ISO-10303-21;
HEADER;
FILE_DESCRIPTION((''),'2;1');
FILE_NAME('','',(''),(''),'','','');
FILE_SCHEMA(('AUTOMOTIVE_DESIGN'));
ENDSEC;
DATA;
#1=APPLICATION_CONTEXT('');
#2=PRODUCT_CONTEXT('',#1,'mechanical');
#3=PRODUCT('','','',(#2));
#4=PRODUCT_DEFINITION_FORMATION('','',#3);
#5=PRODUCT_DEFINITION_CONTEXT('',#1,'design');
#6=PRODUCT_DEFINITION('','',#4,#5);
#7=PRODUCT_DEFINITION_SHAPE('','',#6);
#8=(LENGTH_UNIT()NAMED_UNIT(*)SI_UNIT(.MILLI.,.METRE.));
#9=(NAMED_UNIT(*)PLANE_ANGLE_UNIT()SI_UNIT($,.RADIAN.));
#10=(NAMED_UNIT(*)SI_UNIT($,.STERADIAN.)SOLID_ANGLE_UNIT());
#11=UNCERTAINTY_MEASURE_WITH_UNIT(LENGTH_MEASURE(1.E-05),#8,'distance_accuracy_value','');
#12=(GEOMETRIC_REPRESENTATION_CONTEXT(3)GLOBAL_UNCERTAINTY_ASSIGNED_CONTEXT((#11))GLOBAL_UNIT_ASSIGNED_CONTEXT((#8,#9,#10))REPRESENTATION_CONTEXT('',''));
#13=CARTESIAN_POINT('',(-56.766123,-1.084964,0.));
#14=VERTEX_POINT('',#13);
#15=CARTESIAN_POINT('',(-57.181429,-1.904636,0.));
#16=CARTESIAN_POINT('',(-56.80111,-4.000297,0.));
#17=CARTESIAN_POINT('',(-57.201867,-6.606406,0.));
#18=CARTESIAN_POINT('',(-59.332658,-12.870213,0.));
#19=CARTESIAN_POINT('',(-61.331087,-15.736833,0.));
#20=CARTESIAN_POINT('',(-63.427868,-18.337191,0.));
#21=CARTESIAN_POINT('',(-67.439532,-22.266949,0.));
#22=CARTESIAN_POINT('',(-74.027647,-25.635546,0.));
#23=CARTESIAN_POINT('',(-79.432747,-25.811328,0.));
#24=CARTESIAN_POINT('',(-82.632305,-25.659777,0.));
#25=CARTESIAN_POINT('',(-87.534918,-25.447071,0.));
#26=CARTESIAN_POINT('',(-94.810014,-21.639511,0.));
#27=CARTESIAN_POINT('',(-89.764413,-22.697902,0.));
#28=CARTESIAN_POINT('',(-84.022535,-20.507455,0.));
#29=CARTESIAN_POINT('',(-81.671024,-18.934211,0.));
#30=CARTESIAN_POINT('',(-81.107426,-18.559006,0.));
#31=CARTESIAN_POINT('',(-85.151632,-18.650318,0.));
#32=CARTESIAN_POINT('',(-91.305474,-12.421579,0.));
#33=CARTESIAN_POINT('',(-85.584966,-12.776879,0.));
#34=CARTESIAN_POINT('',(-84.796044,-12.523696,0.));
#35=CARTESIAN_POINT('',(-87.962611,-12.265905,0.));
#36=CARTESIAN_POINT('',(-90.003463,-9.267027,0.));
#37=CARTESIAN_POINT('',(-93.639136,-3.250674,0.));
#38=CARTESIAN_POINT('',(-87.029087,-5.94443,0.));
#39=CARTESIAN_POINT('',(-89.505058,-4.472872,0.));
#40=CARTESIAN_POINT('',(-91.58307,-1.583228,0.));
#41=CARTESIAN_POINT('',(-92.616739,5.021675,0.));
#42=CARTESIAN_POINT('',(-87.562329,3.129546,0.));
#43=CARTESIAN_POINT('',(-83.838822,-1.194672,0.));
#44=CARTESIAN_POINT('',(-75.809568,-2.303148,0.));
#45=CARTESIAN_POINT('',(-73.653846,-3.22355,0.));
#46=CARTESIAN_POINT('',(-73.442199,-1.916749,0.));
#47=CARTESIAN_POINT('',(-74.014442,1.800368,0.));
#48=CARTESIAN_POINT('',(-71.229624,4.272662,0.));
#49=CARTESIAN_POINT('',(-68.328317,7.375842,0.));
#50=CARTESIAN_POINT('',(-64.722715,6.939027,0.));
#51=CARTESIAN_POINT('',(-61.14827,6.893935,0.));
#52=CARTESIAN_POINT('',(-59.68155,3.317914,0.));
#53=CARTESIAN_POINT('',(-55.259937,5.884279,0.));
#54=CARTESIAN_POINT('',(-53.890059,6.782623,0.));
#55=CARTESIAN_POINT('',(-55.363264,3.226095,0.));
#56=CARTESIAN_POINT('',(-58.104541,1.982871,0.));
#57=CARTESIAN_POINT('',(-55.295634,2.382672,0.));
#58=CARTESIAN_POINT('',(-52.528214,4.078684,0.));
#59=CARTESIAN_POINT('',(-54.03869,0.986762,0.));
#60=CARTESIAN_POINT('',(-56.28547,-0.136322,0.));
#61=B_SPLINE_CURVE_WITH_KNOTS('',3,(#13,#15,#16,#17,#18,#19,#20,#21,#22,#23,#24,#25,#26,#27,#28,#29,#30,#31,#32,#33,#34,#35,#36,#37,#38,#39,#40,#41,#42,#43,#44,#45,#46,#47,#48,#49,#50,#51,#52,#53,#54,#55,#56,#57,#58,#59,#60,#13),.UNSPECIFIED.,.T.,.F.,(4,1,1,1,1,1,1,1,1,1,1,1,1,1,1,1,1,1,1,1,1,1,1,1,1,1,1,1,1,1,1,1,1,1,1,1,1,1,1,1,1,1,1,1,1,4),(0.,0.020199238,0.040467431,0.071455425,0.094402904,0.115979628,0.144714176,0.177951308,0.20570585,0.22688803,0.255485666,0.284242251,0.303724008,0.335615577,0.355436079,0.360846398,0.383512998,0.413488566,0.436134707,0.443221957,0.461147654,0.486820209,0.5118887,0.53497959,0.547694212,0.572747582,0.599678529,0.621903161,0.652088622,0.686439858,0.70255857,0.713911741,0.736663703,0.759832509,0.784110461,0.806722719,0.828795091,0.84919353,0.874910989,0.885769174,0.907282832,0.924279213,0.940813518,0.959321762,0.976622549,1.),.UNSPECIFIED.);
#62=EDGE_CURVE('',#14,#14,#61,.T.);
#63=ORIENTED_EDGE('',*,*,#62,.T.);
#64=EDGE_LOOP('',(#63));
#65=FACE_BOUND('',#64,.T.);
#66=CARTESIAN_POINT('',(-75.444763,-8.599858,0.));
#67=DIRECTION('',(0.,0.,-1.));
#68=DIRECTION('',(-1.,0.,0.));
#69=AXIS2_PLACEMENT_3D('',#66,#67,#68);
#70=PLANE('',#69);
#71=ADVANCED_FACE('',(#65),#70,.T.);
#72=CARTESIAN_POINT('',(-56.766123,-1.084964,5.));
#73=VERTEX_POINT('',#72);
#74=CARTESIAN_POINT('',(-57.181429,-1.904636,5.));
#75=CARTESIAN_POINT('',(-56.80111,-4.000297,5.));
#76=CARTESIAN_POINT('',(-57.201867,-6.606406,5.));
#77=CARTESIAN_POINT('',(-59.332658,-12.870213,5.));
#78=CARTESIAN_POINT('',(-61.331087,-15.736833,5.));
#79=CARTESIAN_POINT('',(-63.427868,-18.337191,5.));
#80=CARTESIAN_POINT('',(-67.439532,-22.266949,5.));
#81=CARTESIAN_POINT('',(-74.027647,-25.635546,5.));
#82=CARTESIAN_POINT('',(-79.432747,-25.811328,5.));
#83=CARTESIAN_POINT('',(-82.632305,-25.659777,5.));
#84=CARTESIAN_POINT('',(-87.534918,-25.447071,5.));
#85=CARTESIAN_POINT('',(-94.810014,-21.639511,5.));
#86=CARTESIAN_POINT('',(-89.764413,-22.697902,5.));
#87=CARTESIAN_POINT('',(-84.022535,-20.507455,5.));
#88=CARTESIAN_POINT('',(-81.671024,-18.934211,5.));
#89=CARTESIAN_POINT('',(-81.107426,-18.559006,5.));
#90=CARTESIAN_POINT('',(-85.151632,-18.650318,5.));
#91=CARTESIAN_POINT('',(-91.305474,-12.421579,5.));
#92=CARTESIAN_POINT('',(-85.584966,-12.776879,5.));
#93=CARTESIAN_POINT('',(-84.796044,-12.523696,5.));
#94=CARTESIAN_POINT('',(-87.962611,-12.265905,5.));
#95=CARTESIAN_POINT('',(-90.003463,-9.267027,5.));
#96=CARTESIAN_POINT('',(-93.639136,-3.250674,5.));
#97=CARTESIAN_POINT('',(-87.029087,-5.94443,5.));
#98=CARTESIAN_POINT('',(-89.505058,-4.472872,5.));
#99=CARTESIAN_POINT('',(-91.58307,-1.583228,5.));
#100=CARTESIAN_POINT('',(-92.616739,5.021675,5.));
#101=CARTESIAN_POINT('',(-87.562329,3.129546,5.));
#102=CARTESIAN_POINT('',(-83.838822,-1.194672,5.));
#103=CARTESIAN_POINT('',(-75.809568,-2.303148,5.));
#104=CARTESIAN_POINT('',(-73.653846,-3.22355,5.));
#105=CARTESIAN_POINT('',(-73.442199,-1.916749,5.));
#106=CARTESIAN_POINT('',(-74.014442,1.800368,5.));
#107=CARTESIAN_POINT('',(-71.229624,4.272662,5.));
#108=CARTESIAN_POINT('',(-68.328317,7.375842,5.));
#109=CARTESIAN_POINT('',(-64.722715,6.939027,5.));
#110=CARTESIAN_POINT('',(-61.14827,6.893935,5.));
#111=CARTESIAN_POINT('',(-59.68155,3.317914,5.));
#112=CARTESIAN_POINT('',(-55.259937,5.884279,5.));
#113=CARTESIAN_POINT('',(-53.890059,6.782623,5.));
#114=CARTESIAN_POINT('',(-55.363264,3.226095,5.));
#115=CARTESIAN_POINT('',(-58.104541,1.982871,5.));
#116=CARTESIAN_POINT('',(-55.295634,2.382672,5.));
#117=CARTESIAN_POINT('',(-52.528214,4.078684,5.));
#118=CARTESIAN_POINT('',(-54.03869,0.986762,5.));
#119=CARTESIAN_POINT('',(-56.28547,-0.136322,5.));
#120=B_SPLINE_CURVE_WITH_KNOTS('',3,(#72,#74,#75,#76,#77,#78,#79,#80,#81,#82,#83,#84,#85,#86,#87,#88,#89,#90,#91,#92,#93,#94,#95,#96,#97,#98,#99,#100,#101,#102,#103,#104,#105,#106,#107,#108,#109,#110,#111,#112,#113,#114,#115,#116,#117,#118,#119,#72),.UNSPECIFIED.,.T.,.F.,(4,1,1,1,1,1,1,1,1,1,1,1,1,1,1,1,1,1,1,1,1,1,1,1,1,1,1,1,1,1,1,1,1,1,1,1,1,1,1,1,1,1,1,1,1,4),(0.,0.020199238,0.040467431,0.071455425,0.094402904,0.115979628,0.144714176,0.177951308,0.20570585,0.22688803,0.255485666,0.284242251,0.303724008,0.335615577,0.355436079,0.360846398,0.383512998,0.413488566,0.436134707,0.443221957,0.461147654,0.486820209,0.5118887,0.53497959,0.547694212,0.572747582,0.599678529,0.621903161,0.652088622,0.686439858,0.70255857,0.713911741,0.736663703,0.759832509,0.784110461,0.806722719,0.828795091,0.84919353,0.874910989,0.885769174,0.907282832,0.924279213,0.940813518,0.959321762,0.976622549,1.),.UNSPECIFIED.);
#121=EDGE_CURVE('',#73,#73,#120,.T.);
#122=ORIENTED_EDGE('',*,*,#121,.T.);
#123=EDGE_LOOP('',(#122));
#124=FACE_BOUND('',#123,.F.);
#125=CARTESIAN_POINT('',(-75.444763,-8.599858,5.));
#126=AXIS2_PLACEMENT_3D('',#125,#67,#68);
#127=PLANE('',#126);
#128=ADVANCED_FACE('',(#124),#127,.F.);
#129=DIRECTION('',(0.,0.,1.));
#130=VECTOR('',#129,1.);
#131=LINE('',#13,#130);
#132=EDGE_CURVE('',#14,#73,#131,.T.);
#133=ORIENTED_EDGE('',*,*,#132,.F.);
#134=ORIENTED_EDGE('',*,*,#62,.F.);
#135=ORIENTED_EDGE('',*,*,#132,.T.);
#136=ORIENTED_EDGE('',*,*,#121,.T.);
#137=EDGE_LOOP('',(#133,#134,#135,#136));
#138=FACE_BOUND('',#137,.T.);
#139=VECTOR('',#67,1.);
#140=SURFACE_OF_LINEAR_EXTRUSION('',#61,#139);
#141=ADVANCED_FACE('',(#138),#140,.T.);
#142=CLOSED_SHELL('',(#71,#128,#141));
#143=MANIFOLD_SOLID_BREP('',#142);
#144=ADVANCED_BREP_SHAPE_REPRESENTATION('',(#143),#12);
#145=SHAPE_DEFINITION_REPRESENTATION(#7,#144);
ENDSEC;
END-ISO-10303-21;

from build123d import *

# Parameters (mm, degrees)
F1_DEPTH = 5


with BuildPart() as f1:
    # F0 (on Top) → F1 (new body)
    with BuildSketch(Plane.XY):
        with BuildLine():
            add(Edge.make_bspline(
                [(-56.7661225796, -1.0849640239), (-57.1814293265, -1.9046358585), (-56.8011102519, -4.000297388), (-57.2018669765, -6.6064055908), (-59.3326579772, -12.8702131633), (-61.3310866502, -15.7368333765), (-63.4278682755, -18.3371906817), (-67.439531941, -22.2669488805), (-74.027647249, -25.6355460262), (-79.4327474806, -25.8113278936), (-82.6323052828, -25.65977655), (-87.5349181875, -25.4470713476), (-94.810013667, -21.6395108036), (-89.7644129654, -22.6979016132), (-84.0225351925, -20.5074551695), (-81.671023996, -18.9342108505), (-81.1074257346, -18.5590056763), (-85.1516317168, -18.650317825), (-91.30547418, -12.4215791317), (-85.5849657471, -12.7768791005), (-84.7960439187, -12.5236960815), (-87.9626108672, -12.2659049912), (-90.0034628781, -9.2670273358), (-93.6391359604, -3.2506744766), (-87.0290871427, -5.9444298468), (-89.5050583772, -4.4728720081), (-91.5830701741, -1.5832276573), (-92.6167393114, 5.0216749948), (-87.5623292005, 3.1295457959), (-83.8388215885, -1.1946720003), (-75.8095680916, -2.3031475069), (-73.6538464018, -3.2235502692), (-73.4421985683, -1.9167485747), (-74.0144423022, 1.8003676525), (-71.2296239788, 4.2726620789), (-68.3283174847, 7.3758421819), (-64.7227151479, 6.9390268759), (-61.148270496, 6.8939348946), (-59.6815497135, 3.317914283), (-55.2599372022, 5.8842791562), (-53.8900591937, 6.7826233802), (-55.3632638863, 3.2260948843), (-58.1045405122, 1.9828714681), (-55.2956338408, 2.3826717807), (-52.5282143606, 4.0786844177), (-54.0386899837, 0.9867616645), (-56.2854701416, -0.1363224028), (-56.7661225796, -1.0849640239)],
                knots=[0, 0, 0, 0, 0.0201992379, 0.0404674313, 0.071455425, 0.094402904, 0.1159796279, 0.1447141756, 0.1779513076, 0.2057058501, 0.2268880296, 0.2554856655, 0.2842422512, 0.3037240078, 0.335615577, 0.3554360793, 0.360846398, 0.3835129977, 0.4134885662, 0.4361347075, 0.4432219574, 0.4611476536, 0.4868202092, 0.5118886995, 0.5349795898, 0.5476942123, 0.5727475823, 0.5996785287, 0.6219031607, 0.6520886222, 0.6864398577, 0.7025585703, 0.7139117413, 0.7366637034, 0.759832509, 0.7841104611, 0.8067227195, 0.8287950911, 0.8491935297, 0.8749109887, 0.8857691739, 0.9072828323, 0.9242792132, 0.9408135181, 0.9593217617, 0.9766225494, 1, 1, 1, 1], degree=3))
        make_face()
    extrude(amount=F1_DEPTH)


solid = f1.part
